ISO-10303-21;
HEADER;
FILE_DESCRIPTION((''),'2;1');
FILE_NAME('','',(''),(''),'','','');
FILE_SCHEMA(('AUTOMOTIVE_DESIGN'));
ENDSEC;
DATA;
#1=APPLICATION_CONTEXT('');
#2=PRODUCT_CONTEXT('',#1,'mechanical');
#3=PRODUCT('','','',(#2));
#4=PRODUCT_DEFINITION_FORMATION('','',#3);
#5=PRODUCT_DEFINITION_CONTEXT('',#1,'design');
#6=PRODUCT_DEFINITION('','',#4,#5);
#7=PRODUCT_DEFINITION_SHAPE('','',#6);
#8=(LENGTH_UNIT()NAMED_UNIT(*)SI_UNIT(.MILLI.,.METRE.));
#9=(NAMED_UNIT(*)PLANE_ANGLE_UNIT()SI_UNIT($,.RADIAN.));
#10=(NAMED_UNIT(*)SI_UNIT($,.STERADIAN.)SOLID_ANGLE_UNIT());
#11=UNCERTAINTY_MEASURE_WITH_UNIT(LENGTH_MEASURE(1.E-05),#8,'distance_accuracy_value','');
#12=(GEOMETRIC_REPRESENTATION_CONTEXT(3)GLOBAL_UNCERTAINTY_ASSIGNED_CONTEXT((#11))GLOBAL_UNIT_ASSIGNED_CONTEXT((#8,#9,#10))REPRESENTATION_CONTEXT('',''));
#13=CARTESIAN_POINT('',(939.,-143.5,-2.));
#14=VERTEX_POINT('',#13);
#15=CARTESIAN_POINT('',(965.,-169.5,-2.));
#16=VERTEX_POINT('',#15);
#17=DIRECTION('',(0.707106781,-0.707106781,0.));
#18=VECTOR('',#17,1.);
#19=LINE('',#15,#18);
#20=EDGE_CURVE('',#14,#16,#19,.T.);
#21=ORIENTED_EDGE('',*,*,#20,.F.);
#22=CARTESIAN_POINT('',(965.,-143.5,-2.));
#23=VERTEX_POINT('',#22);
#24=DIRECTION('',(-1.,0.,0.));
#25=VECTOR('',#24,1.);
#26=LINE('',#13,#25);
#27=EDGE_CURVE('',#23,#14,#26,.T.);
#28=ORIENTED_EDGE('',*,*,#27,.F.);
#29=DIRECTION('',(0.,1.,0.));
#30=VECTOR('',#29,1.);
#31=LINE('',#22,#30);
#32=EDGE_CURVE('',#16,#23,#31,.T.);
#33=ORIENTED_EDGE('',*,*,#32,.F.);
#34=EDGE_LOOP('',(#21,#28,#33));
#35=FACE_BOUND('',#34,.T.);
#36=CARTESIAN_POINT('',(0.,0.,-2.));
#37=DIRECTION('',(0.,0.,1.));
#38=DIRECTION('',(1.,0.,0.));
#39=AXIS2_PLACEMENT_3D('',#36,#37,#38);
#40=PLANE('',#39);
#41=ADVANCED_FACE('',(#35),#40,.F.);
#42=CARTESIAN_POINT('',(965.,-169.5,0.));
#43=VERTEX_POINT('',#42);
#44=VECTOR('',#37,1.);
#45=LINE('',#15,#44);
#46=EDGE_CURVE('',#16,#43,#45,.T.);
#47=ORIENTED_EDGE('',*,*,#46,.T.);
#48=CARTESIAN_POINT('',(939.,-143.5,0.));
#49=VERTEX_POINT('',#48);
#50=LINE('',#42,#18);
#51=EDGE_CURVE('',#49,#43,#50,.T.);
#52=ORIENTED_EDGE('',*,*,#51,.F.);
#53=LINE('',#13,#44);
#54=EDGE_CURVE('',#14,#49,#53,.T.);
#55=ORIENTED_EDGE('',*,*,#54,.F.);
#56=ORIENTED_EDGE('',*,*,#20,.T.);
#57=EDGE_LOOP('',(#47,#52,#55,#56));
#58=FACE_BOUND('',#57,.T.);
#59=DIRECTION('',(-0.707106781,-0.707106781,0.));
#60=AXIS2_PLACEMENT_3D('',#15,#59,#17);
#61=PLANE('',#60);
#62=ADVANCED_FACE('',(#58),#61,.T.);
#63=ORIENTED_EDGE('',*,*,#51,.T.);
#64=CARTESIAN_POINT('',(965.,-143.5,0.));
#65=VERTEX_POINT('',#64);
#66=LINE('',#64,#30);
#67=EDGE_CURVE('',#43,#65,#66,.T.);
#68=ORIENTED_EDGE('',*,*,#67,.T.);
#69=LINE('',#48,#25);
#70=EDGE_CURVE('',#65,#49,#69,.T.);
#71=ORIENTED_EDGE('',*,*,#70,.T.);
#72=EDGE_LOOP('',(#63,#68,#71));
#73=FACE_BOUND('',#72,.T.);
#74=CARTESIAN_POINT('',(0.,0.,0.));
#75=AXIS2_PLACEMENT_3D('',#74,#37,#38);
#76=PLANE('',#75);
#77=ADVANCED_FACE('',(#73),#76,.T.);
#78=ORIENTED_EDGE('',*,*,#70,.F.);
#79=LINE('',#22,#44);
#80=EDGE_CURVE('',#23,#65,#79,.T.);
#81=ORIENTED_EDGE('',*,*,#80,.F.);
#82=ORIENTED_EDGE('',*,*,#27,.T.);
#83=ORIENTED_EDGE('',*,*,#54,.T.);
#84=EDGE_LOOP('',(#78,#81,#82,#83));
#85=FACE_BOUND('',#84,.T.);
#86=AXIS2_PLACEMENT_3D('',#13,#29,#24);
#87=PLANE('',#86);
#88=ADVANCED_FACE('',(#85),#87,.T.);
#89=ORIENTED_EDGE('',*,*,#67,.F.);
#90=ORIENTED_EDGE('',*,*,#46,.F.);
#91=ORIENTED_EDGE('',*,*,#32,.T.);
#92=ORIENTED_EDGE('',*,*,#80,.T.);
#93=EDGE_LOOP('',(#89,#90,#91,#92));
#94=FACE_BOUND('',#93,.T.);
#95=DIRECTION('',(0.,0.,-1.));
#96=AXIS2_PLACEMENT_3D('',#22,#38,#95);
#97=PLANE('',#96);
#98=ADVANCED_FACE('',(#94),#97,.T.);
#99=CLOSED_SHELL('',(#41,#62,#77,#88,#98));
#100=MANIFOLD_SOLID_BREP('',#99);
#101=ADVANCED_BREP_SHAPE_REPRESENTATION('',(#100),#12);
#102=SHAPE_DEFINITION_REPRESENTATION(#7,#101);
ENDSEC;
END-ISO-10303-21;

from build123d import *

# Parameters (mm, degrees)
BOSS_EXTRUDE1_DEPTH = 2


with BuildPart() as part:
    # Sketch1 → Boss-Extrude1 (new body)
    with BuildSketch(Plane.XY):
        Polygon((965, -169.5), (939, -143.5), (965, -143.5), align=None)
    extrude(amount=-BOSS_EXTRUDE1_DEPTH)


solid = part.part
